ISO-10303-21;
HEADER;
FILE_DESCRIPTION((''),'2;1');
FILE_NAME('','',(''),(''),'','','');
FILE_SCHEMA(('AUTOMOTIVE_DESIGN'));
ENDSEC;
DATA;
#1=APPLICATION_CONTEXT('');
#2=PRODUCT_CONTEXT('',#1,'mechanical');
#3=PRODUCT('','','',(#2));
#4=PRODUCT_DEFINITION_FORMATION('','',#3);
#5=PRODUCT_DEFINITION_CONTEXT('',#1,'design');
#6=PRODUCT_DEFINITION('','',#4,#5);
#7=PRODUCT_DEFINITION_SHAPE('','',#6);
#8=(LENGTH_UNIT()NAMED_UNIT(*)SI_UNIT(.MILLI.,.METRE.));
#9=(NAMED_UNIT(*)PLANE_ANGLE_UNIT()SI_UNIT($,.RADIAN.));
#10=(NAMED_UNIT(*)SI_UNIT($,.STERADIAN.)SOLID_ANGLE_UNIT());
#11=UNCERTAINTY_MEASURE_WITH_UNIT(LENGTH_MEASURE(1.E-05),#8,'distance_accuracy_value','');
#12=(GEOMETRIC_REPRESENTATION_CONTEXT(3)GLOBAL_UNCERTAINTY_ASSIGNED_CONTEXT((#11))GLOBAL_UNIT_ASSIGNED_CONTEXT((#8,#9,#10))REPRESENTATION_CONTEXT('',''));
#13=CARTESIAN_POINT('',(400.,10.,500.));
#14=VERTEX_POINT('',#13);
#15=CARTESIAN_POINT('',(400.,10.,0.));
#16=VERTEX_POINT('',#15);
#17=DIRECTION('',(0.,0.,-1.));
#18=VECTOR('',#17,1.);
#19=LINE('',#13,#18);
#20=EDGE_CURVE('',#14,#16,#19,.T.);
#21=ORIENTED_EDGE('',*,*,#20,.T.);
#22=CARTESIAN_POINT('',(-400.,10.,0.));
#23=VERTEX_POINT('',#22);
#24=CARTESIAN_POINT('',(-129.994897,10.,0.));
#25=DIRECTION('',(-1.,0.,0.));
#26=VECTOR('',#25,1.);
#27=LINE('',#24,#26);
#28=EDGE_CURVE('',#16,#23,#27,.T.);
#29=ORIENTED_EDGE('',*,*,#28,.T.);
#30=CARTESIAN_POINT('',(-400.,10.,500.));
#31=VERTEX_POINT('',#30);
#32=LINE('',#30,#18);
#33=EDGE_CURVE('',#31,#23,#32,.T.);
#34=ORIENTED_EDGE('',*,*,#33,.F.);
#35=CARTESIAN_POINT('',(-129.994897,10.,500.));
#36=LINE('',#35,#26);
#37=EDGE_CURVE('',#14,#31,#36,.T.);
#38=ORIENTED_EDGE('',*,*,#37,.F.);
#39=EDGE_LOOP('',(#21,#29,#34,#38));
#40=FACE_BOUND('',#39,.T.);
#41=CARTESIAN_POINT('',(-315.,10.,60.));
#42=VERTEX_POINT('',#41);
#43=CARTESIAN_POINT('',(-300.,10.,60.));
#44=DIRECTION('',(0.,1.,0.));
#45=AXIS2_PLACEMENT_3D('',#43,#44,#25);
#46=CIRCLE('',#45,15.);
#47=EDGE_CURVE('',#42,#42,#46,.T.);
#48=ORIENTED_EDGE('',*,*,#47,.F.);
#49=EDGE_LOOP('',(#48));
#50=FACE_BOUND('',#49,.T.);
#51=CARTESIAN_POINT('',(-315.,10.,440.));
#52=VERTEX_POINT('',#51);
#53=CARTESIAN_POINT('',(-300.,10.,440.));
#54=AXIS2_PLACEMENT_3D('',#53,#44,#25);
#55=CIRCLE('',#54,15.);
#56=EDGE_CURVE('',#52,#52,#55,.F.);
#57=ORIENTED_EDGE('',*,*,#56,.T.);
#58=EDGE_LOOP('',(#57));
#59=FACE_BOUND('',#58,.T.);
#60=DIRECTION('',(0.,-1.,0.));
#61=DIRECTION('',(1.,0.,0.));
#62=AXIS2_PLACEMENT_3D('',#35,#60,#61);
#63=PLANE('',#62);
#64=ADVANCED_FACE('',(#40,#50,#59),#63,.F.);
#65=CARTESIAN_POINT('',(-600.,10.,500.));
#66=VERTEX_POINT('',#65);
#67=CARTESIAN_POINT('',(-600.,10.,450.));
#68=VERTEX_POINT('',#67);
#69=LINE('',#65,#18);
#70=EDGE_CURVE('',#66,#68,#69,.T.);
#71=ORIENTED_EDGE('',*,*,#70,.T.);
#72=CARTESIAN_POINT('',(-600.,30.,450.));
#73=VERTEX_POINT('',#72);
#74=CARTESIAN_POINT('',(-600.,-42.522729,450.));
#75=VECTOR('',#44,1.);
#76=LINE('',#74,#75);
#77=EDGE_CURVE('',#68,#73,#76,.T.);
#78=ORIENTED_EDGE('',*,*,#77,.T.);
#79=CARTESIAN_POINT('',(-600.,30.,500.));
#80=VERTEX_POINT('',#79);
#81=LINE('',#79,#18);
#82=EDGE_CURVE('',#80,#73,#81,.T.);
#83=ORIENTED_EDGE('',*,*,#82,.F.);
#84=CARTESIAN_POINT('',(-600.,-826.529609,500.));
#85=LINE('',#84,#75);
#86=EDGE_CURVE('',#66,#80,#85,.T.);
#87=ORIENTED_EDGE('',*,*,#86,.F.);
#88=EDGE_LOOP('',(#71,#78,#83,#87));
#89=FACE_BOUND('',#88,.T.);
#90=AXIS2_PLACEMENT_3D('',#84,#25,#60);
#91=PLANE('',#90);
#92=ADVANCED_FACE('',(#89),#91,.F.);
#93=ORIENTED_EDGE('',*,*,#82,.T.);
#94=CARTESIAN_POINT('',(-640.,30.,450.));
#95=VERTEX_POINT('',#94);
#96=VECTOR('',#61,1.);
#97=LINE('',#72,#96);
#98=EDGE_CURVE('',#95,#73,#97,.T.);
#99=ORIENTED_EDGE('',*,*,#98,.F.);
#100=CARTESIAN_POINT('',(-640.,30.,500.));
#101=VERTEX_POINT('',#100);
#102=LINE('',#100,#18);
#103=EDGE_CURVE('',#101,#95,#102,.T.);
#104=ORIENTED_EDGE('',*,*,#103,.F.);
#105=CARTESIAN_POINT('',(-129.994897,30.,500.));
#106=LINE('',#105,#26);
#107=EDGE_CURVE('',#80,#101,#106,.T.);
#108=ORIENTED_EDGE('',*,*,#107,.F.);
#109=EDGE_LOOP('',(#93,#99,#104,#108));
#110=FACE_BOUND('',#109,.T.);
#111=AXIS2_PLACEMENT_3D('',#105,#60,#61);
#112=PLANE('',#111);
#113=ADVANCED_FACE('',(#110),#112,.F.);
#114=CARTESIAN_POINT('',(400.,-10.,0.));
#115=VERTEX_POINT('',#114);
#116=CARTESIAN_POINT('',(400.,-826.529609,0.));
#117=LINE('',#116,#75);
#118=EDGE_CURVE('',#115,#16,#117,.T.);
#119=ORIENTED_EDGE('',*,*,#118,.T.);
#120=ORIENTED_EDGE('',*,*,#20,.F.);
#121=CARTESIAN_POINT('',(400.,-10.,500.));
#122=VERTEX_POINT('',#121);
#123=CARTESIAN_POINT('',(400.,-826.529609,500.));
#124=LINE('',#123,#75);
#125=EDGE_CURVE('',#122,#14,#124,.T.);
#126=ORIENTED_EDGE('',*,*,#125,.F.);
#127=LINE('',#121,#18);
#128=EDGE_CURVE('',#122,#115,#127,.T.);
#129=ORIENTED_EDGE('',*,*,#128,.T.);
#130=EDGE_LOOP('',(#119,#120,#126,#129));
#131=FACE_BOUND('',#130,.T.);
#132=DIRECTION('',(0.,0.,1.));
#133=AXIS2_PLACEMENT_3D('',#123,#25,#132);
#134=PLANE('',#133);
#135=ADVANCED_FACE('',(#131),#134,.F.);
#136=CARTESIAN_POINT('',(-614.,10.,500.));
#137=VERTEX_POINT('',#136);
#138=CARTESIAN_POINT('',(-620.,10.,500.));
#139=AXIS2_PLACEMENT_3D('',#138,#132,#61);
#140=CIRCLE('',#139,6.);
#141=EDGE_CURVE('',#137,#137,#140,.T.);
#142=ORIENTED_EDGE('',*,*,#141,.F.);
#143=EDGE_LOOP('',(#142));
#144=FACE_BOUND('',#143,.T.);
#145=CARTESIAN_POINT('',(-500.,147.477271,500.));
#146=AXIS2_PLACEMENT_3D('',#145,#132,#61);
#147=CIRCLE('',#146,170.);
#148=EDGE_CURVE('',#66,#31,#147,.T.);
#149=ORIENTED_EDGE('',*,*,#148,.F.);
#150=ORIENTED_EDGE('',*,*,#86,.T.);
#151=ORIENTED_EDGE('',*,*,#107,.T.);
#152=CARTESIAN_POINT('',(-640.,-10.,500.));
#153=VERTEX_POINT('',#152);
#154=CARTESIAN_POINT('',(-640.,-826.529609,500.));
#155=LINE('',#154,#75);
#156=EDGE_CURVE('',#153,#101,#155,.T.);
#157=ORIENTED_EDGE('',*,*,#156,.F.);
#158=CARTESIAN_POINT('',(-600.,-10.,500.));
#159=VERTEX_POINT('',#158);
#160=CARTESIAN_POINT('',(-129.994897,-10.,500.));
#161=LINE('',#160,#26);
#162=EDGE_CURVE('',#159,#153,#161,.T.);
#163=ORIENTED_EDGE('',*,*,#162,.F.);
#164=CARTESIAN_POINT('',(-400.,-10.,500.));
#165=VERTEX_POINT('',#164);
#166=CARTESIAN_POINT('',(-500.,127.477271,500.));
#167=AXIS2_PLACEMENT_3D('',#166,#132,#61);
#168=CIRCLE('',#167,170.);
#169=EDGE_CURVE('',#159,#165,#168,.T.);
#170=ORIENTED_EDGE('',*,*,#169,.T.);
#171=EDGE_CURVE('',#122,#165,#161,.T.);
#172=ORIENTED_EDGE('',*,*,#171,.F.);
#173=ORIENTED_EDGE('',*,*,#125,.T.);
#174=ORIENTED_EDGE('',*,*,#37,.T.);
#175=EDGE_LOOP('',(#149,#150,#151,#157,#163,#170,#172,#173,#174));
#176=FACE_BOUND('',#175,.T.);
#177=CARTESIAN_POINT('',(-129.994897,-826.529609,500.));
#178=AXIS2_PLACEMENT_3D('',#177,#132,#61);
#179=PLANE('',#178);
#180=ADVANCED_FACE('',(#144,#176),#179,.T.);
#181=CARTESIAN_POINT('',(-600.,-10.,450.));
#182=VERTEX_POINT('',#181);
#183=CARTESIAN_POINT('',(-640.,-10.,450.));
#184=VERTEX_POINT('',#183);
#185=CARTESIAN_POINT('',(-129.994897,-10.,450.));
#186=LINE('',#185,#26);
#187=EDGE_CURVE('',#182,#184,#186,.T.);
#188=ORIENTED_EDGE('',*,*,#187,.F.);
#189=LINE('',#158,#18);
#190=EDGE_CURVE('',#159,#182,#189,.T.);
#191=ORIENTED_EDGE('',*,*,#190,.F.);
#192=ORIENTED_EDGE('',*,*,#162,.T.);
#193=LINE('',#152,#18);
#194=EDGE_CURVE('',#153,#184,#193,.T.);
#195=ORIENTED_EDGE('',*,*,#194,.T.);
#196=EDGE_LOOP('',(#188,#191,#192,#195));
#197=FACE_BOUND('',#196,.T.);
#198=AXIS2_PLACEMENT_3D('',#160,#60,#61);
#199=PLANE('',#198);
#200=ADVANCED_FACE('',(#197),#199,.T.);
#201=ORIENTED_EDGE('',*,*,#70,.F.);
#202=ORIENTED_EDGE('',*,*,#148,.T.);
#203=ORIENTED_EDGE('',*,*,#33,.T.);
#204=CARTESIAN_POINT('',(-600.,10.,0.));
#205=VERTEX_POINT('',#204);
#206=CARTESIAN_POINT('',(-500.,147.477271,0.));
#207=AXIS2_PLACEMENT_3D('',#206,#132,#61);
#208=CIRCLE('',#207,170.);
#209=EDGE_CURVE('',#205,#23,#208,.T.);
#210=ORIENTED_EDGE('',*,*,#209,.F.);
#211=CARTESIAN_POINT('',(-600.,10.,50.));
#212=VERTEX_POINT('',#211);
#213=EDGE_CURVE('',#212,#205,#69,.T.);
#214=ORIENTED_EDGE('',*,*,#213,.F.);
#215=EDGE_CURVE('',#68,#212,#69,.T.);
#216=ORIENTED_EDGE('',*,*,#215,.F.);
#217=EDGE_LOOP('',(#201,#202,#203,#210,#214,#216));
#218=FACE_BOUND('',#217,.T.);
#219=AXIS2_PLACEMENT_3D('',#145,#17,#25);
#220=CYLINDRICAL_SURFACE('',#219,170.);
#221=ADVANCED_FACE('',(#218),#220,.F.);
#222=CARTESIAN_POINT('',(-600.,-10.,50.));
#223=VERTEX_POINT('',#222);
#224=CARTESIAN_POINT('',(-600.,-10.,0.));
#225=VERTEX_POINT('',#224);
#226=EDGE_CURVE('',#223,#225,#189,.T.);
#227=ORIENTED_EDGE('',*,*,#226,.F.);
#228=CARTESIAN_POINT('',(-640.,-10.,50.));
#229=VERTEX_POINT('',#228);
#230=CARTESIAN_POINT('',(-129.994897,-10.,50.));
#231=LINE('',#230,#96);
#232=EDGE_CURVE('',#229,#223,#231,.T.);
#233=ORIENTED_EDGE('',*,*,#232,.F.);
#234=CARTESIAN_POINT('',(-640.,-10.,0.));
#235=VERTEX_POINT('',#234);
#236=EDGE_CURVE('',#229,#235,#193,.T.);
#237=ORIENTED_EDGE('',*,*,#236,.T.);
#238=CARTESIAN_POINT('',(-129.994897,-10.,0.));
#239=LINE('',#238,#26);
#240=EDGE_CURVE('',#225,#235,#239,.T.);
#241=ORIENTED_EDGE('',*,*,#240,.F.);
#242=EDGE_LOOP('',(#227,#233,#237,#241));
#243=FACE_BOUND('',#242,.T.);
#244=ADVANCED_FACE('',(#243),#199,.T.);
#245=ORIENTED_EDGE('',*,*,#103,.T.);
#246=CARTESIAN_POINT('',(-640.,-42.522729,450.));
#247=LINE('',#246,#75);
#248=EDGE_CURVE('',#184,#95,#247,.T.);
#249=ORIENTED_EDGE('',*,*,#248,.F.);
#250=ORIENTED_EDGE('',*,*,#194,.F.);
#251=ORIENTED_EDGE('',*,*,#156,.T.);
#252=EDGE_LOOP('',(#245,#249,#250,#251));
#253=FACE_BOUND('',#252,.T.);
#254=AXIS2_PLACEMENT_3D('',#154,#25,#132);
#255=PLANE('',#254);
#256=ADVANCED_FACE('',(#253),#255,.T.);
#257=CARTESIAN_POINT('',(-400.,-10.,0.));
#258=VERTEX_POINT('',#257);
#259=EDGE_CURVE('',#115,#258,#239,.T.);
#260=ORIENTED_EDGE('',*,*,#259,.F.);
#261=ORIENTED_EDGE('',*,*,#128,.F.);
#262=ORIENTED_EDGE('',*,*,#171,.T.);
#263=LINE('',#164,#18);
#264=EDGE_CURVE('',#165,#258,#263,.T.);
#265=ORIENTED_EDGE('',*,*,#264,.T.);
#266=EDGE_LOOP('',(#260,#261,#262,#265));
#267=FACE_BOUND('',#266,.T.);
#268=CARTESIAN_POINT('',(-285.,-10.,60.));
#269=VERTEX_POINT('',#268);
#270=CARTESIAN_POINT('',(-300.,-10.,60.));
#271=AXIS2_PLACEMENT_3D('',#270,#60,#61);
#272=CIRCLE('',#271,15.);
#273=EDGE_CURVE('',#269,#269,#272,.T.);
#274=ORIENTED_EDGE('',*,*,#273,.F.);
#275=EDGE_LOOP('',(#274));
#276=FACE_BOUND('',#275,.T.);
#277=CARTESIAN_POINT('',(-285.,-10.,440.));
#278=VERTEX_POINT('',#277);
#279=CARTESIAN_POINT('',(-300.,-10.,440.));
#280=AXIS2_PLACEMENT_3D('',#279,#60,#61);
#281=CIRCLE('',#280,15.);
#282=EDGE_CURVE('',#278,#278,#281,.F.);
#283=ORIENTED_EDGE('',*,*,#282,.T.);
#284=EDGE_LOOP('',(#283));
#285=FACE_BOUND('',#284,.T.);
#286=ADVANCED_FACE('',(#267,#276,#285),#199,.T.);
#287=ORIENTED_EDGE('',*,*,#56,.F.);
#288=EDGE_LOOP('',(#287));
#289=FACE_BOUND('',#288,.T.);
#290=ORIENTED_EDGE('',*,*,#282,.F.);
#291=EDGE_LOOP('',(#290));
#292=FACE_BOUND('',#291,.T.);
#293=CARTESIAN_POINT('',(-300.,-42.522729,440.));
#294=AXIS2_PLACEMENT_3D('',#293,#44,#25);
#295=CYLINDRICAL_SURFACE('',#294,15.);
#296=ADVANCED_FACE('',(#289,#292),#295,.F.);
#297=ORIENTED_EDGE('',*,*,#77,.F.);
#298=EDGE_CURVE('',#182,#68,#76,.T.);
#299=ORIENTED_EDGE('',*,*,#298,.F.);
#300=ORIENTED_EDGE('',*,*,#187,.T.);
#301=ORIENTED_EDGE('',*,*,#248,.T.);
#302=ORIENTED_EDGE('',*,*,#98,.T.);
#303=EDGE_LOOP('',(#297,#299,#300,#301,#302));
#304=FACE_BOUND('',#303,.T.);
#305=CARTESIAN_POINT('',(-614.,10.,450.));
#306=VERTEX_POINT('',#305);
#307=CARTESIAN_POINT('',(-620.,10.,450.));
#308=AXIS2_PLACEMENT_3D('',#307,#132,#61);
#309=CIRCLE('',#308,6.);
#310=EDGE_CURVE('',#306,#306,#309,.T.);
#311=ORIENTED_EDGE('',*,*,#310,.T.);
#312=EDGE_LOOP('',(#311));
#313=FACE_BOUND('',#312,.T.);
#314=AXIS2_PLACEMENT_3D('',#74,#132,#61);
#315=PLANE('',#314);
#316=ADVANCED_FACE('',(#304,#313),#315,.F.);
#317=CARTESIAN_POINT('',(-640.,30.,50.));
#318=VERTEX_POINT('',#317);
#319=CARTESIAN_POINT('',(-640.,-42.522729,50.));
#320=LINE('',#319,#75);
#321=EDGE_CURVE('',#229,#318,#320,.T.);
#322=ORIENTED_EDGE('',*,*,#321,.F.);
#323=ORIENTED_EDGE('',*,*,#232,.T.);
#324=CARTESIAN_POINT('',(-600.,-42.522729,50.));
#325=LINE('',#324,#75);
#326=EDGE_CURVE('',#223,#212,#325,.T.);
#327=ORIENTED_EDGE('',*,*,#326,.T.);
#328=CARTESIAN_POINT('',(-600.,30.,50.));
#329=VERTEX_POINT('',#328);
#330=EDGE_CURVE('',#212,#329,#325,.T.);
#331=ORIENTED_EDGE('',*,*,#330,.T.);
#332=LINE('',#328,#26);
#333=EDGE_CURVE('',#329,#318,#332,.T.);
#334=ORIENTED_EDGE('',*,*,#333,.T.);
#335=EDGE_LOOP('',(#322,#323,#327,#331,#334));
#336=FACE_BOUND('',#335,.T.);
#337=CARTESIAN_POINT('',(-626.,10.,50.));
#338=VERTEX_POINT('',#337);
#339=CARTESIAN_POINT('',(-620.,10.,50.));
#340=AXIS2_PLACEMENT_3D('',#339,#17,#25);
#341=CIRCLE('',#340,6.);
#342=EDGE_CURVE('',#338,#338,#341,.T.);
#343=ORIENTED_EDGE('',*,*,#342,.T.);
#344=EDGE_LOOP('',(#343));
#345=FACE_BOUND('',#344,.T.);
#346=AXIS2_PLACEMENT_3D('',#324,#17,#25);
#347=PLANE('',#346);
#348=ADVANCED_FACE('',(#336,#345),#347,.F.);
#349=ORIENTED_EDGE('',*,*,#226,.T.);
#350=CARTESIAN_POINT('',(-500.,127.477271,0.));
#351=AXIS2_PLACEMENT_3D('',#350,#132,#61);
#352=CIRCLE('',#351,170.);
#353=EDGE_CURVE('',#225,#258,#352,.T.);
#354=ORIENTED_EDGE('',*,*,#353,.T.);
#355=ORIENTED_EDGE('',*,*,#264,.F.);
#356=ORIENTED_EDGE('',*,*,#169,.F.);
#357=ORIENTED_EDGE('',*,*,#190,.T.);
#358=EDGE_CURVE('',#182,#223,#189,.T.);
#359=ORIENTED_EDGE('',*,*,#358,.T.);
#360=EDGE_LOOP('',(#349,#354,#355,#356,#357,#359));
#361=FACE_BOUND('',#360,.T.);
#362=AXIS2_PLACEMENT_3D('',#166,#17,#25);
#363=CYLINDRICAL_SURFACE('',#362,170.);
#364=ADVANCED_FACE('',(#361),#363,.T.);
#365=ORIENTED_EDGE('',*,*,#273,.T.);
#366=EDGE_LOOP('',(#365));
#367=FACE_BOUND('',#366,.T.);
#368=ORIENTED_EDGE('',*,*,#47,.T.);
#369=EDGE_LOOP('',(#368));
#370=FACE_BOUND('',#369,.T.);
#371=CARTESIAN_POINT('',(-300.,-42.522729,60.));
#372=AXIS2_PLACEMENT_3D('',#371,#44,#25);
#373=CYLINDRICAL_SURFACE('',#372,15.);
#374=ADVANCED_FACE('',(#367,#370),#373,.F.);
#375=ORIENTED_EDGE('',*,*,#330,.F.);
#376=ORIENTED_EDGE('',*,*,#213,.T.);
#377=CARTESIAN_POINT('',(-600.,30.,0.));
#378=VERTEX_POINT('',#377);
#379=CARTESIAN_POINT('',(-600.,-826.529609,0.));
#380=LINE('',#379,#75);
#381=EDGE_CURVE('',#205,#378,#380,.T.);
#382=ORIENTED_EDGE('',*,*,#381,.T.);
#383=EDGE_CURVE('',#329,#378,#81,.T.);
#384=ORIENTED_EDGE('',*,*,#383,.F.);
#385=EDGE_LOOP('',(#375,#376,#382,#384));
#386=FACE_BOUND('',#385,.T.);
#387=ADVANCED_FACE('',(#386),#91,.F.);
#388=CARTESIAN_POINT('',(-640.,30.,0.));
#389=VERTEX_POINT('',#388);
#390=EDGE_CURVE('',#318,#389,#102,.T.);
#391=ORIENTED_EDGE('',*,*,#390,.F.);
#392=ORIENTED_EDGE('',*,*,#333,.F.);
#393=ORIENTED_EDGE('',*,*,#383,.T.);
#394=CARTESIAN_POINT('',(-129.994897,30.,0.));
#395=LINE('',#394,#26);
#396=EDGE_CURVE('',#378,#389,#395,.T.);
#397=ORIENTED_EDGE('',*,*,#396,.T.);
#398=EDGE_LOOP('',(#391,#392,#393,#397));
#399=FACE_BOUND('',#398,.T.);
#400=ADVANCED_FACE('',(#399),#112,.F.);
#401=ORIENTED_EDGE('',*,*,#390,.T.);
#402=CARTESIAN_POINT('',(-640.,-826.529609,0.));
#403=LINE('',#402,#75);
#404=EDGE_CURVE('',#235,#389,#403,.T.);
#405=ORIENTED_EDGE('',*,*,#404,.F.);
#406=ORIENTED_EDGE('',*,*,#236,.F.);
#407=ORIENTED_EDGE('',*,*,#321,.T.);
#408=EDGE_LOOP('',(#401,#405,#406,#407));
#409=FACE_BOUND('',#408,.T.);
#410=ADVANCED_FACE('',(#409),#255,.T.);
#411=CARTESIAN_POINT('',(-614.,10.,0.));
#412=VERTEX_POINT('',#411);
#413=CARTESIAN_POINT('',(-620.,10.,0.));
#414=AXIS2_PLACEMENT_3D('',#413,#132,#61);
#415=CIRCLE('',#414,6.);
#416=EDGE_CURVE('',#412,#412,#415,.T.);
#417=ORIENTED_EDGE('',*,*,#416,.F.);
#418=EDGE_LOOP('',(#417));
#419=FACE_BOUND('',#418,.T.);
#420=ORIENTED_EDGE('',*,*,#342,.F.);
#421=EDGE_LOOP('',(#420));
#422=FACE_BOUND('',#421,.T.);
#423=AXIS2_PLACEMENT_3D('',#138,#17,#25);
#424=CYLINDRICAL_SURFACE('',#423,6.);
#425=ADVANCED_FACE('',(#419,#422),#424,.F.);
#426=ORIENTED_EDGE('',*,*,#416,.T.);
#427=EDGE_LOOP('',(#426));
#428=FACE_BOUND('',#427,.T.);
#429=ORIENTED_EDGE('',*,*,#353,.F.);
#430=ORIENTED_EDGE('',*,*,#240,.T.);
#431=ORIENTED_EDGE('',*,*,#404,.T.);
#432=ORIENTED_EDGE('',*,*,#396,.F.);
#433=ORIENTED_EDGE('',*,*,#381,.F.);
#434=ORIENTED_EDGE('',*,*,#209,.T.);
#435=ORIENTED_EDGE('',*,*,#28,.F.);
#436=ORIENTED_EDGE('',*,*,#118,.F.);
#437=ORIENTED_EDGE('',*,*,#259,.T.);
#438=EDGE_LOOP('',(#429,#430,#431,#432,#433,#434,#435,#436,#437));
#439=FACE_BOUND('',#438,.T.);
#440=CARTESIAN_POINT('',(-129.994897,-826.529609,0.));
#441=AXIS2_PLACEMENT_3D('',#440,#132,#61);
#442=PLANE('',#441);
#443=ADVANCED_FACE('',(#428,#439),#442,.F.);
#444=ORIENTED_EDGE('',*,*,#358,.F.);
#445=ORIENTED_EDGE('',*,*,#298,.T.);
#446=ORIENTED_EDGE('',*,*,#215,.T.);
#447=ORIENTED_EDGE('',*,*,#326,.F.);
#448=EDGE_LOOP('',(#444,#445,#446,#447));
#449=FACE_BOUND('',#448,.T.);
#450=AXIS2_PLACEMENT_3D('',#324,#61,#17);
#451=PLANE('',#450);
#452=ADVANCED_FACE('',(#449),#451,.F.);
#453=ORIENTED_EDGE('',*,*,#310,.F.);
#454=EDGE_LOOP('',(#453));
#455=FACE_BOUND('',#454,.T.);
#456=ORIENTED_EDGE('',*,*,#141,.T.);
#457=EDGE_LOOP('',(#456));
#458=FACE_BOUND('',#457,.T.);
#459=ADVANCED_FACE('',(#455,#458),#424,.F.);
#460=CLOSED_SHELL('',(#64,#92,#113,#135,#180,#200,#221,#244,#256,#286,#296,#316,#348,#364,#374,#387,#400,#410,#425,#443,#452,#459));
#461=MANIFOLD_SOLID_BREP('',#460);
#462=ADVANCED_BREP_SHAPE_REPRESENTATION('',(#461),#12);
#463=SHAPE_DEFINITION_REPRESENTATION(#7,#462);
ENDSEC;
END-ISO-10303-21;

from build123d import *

# Parameters (mm, degrees)
SKETCH_1_W          = 800
SKETCH_1_H          = 20
SKETCH_1_R          = 6
EXTRUDE_1_DEPTH     = 500
SKETCH_5_R          = 15
CUT_EXTRUDE_2_DEPTH = 814.854186619
SKETCH_6_W          = 40
SKETCH_6_H          = 400
CUT_EXTRUDE_3_DEPTH = 816.389199244


with BuildPart() as part:
    # 草图1 → 凸台-拉伸1 (new body)
    # profile 1 of 3: a face of its own
    with BuildSketch(Plane.XY):
        Rectangle(SKETCH_1_W, SKETCH_1_H)
    # profile 2 of 3: a face of its own
    with BuildSketch(Plane.XY):
        with BuildLine():
            ThreePointArc((-600, -10), (-500, -42.522729151), (-400, -10))
            Line((-400, -10), (-400, 10))
            ThreePointArc((-400, 10), (-500, -22.522729151), (-600, 10))
            Line((-600, 10), (-600, -10))
        make_face()
    # profile 3 of 3: a face of its own
    with BuildSketch(Plane.XY):
        Polygon((-640, -10), (-600, -10), (-600, 10), (-600, 30), (-640, 30), align=None)
        with Locations((-620, 10)):
            Circle(SKETCH_1_R, mode=Mode.SUBTRACT)
    extrude(amount=EXTRUDE_1_DEPTH)

    # 草图5 → 切除-拉伸2 (cut, through all)
    with BuildSketch(Plane(origin=(0, 10, 0), x_dir=(1, 0, 0), z_dir=(0, 1, 0))):
        with Locations(Location((-300, -440, 0), (0, 0, 180))):
            Circle(SKETCH_5_R)
        with Locations(Location((-300, -60, 0), (0, 0, 180))):
            Circle(SKETCH_5_R)
    extrude(amount=-CUT_EXTRUDE_2_DEPTH, mode=Mode.SUBTRACT)

    # 草图6 → 切除-拉伸3 (cut, through all)
    with BuildSketch(Plane(origin=(0, 30, 0), x_dir=(1, 0, 0), z_dir=(0, 1, 0))):
        with Locations((-620, -250)):
            Rectangle(SKETCH_6_W, SKETCH_6_H)
    extrude(amount=-CUT_EXTRUDE_3_DEPTH, mode=Mode.SUBTRACT)


solid = part.part
